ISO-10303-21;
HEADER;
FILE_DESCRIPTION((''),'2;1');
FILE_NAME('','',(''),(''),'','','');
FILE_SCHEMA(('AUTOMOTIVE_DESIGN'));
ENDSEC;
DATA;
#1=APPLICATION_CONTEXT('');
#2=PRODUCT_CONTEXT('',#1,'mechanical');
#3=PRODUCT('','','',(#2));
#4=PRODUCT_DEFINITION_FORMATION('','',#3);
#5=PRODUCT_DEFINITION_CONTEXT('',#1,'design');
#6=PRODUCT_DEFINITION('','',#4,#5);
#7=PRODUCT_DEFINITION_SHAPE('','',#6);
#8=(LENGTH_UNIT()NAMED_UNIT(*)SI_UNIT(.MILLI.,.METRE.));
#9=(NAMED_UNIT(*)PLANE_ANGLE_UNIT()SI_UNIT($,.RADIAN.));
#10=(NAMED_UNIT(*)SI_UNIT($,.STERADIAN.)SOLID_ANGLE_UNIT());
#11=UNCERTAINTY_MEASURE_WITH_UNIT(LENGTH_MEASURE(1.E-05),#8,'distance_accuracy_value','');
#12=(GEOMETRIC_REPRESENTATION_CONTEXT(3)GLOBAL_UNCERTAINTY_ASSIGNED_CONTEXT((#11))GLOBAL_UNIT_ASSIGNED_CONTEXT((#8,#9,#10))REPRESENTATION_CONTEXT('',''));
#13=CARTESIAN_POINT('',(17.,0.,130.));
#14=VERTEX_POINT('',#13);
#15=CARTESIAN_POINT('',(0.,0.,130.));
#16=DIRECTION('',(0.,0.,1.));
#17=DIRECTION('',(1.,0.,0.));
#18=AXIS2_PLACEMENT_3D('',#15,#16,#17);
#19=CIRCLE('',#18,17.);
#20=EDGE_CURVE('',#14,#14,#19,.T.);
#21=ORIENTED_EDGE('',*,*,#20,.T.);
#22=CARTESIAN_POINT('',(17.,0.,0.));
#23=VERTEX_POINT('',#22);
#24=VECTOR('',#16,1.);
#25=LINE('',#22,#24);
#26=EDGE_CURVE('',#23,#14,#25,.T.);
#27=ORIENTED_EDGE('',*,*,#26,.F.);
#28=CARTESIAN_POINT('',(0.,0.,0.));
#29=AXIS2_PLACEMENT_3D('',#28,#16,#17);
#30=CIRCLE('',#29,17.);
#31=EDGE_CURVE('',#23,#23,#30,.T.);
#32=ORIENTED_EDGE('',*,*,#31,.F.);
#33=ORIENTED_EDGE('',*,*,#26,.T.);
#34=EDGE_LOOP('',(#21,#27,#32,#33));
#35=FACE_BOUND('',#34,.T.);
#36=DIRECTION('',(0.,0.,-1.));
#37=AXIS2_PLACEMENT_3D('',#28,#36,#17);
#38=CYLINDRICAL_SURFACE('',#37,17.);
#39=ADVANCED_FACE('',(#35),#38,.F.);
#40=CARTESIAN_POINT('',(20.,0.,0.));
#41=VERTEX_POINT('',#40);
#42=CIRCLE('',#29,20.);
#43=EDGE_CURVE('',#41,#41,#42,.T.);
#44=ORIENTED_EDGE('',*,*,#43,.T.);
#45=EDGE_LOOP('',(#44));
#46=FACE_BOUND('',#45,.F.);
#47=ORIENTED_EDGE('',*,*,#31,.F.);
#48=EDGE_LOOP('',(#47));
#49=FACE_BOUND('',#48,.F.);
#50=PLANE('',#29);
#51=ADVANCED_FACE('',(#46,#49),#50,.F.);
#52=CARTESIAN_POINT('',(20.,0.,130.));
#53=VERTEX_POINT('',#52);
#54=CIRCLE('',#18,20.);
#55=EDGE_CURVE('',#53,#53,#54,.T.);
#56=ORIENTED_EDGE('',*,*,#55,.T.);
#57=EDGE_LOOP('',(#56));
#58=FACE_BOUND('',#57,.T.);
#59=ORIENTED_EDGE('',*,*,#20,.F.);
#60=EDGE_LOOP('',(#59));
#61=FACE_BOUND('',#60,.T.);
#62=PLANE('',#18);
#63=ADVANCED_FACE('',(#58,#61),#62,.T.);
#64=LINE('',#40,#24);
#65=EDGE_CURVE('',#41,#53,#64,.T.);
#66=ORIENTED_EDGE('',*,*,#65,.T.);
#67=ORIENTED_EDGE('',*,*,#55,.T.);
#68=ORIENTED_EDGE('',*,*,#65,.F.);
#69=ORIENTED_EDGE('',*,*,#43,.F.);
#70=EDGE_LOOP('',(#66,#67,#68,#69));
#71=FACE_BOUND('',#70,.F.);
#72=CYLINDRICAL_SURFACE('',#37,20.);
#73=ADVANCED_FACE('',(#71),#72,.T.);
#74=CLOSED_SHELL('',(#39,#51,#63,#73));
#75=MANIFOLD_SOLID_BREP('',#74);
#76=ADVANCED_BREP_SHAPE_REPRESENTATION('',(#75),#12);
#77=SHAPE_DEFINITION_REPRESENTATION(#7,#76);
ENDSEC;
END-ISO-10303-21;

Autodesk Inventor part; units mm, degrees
sketch "Skizze_1" plane through (0, 0, 0) normal (0, 0, 1) x (1, 0, 0)
  circle A0 centre (0, 0) radius 20
  circle A1 centre (0, 0) radius 17
extrude "Extrusion1" add sketch "Skizze_1" along normal blind 130
ref_plane "EPROHR_XY" through (0, 0, 0) normal (0, 0, 1) x (1, 0, 0)
ref_plane "EPROHR_YZ" through (0, 0, 0) normal (1, 0, 0) x (0, 1, 0)
ref_plane "EPROHR_ZX" through (0, 0, 0) normal (0, 1, 0) x (0, 0, 1)
properties part number "LZ80_Rohr_Schubstange90"
